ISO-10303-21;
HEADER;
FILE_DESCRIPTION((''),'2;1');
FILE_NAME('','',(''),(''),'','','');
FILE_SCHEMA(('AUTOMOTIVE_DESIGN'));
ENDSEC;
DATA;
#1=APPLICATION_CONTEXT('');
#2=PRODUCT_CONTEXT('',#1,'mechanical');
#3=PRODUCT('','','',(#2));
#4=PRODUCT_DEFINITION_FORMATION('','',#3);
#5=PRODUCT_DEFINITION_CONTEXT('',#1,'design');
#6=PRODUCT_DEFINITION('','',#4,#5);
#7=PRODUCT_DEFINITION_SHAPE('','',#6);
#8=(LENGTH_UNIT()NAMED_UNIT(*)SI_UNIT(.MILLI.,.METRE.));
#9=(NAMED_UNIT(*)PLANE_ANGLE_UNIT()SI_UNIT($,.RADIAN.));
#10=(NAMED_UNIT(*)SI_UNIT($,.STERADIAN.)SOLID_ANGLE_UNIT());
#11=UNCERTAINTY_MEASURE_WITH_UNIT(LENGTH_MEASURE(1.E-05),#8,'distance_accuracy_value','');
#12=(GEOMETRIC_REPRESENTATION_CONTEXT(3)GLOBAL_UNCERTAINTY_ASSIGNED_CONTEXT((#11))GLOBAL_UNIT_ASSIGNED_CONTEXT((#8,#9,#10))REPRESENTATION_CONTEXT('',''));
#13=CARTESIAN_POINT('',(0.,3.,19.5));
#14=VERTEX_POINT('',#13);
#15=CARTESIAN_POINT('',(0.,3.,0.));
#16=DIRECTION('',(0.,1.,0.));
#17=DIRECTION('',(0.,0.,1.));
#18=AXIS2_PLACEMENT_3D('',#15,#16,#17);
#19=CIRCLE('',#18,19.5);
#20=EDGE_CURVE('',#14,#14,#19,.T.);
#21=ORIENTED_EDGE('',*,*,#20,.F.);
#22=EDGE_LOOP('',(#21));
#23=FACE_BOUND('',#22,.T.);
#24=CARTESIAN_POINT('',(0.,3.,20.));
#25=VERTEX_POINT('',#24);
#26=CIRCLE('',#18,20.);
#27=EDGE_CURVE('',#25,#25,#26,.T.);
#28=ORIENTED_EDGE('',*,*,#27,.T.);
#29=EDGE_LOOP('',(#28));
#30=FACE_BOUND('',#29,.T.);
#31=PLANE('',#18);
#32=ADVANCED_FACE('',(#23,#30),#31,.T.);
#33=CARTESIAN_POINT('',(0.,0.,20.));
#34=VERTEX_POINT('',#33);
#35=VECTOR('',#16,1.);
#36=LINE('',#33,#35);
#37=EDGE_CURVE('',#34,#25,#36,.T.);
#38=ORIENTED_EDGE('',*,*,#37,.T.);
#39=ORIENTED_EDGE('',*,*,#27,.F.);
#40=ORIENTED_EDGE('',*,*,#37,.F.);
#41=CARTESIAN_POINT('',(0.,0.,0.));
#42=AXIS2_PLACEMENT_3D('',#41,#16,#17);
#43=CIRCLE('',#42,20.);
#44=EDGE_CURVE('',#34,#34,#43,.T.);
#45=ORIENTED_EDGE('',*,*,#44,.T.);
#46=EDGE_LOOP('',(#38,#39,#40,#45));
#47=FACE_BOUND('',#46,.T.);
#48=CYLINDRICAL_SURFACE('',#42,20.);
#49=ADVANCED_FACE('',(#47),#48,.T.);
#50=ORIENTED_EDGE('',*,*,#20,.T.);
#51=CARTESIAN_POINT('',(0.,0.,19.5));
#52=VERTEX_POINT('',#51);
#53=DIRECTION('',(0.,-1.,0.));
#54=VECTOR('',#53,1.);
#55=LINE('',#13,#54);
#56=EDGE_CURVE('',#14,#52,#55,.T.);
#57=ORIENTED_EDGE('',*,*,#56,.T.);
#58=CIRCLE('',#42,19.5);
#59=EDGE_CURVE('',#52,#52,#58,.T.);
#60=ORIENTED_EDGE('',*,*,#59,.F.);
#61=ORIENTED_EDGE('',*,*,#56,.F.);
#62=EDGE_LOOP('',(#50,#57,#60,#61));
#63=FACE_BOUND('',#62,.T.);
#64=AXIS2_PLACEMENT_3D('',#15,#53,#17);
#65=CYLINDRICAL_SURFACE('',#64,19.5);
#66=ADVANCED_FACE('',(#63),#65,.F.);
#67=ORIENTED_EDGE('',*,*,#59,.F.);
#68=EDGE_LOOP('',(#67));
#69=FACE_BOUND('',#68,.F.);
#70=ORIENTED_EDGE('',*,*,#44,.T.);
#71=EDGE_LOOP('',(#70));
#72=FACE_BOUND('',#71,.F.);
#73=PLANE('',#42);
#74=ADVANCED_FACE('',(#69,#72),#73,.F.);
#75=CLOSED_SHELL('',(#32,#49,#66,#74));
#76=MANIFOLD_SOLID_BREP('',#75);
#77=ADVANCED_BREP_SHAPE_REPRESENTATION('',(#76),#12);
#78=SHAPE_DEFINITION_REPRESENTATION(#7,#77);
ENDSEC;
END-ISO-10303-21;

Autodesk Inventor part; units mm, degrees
ref_plane "YZ Plane" through (0, 0, 0) normal (1, 0, 0) x (0, 1, 0)
ref_plane "XZ Plane" through (0, 0, 0) normal (0, 1, 0) x (-1, 0, 0)
ref_plane "XY Plane" through (0, 0, 0) normal (0, 0, 1) x (1, 0, 0)
sketch "Sketch1" plane through (0, 0, 0) normal (1, 0, 0) x (0, 1, 0)
  line L0 (0, 20) -> (3, 20)
  line L1 (3, 20) -> (3, 19.5)
  line L2 (3, 19.5) -> (0, 19.5)
  line L3 (0, 20) -> (0, 19.5)
  line L4 (-1.8, 0) -> (3.8, 0) projected
  point P0 (0, 0)
  point P1 (-1, 3.5)
  dimension "d0" = 3
  dimension "d3" = 0.5
  dimension "d17" = 20
revolve "Revolution2" add sketch "Sketch1" angle 360 about axis through (0, -10, 0) along (0, 1, 0)
properties part number "TorsOsc-202511-cell-wall" material "Epoxy Resin"
